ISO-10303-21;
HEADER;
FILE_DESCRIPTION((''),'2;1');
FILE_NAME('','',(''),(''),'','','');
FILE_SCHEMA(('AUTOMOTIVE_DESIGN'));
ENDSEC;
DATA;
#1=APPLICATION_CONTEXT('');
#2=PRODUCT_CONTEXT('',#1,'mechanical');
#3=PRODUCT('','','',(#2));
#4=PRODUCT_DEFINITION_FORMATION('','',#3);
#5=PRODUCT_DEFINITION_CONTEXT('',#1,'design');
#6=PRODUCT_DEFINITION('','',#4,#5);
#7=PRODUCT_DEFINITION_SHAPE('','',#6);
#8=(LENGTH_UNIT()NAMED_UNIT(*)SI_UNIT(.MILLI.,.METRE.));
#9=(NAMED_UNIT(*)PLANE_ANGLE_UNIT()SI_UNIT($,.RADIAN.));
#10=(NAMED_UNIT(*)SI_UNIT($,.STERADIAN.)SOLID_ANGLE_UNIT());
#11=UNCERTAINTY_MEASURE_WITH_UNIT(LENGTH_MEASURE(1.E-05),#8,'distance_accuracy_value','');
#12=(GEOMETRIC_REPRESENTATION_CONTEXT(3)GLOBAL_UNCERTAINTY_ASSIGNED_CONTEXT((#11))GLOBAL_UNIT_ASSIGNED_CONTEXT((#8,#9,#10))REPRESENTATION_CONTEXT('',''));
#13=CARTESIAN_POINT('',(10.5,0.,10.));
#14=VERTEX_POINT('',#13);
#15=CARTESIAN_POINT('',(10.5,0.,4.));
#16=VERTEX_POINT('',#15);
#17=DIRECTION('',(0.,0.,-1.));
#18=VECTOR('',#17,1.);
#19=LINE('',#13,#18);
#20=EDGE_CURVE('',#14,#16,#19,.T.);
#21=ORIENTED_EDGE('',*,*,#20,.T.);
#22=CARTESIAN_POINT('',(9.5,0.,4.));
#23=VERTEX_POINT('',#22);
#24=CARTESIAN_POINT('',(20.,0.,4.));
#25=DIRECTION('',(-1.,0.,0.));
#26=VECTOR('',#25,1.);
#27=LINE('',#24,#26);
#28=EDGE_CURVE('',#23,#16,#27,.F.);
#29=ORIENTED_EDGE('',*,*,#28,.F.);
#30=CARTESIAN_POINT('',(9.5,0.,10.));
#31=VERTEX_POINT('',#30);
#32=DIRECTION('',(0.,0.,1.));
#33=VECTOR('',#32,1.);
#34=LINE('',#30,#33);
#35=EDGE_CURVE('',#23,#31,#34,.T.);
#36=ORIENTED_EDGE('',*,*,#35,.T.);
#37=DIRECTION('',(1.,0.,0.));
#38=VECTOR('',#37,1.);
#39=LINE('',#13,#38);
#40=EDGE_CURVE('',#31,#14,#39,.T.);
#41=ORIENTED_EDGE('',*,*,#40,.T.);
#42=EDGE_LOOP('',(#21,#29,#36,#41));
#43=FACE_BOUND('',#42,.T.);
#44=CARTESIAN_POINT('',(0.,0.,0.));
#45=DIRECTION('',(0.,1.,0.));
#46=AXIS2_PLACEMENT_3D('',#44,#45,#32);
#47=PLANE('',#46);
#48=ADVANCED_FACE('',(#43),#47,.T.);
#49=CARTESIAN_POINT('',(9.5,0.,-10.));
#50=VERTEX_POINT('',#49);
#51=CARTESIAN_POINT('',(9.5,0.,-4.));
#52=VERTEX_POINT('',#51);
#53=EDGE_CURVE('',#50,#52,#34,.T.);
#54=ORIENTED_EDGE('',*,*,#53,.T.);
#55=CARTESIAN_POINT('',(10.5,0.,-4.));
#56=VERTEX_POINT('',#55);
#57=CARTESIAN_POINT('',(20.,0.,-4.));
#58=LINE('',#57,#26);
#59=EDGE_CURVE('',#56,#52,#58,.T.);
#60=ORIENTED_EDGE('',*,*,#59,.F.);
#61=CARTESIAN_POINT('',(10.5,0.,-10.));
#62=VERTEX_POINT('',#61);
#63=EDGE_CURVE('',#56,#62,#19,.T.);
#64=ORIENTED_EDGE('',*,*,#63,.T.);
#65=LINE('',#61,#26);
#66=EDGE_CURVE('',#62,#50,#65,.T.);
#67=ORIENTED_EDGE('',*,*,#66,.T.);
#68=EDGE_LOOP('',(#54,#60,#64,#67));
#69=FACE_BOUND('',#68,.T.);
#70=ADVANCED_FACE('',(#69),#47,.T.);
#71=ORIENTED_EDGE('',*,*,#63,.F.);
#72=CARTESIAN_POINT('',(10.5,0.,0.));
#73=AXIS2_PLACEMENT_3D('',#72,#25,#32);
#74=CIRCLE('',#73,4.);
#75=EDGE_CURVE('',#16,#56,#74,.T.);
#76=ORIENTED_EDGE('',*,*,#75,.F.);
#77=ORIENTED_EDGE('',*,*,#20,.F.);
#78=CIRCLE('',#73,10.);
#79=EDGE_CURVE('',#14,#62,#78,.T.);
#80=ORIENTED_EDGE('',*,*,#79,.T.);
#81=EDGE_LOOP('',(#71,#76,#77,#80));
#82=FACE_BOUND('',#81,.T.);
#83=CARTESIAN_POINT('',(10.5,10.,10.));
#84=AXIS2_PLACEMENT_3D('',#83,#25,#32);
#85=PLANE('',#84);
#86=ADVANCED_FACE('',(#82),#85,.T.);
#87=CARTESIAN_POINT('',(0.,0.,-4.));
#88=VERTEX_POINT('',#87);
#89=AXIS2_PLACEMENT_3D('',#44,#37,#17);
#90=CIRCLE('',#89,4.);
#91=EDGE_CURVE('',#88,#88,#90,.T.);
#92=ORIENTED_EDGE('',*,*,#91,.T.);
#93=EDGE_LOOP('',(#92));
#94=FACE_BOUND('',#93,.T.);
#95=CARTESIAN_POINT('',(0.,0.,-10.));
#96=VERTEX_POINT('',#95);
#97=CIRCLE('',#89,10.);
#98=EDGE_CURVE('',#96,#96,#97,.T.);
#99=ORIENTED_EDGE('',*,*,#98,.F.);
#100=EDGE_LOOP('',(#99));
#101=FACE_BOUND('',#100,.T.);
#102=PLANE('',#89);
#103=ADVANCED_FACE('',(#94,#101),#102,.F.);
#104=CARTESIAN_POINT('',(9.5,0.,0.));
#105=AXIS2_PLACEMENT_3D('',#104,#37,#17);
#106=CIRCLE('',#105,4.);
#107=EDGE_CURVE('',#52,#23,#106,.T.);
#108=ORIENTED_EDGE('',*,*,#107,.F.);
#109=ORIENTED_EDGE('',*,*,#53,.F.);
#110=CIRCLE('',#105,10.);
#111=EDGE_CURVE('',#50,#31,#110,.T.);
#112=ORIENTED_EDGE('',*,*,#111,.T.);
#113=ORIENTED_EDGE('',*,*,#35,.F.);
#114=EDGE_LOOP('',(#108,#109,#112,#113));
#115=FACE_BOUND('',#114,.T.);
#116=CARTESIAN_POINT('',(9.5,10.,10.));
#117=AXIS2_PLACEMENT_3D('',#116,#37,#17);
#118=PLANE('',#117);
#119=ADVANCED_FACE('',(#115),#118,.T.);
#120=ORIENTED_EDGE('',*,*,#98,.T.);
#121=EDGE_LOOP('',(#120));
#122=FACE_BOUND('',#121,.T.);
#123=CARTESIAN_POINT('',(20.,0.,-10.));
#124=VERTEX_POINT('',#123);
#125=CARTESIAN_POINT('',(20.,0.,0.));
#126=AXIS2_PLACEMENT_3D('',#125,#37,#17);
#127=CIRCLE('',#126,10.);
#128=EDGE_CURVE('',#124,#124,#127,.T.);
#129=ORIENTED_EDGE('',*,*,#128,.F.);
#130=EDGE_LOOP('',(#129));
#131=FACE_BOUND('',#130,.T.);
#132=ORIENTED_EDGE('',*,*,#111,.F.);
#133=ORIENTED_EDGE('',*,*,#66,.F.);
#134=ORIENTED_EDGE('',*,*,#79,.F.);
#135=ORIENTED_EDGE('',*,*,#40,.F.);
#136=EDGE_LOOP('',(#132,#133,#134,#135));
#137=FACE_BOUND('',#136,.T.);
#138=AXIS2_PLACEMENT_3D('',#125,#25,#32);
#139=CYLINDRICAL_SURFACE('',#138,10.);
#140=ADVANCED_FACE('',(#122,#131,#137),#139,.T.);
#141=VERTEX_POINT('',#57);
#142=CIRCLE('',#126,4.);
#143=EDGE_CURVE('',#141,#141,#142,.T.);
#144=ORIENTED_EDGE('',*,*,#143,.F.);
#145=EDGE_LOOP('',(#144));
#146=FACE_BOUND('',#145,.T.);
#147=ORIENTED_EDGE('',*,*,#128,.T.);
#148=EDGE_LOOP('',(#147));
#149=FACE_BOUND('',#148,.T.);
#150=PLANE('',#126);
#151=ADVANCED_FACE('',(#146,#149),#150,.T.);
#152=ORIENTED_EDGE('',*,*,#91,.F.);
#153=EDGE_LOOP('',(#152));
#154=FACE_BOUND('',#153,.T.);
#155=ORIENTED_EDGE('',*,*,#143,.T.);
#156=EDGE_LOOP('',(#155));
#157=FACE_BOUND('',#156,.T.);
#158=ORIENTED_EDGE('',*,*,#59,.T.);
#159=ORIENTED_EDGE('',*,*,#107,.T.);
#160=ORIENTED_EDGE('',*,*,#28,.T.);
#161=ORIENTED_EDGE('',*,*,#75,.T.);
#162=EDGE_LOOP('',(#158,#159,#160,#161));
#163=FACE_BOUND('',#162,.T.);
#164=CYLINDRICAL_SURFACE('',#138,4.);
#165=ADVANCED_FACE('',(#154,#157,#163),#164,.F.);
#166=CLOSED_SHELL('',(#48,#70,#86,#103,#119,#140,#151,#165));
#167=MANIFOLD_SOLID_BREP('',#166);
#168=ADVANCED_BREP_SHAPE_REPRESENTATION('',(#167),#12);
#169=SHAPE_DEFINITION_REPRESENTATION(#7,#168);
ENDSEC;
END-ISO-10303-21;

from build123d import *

# Parameters (mm, degrees)
SKETCH_1_R          = 10
SKETCH_1_R_2        = 4
EXTRUDE_1_DEPTH     = 20
SKETCH_2_W          = 1
SKETCH_2_H          = 20
CUT_EXTRUDE_1_DEPTH = 25.494897428


with BuildPart() as part:
    # ｽｹｯﾁ1 → ﾎﾞｽ - 押し出し1 (new body)
    with BuildSketch(Plane(origin=(0, 0, 0), x_dir=(0, 0, -1), z_dir=(1, 0, 0))):
        Circle(SKETCH_1_R)
        Circle(SKETCH_1_R_2, mode=Mode.SUBTRACT)
    extrude(amount=EXTRUDE_1_DEPTH)

    # ｽｹｯﾁ2 → ｶｯﾄ - 押し出し1 (cut, through all)
    with BuildSketch(Plane(origin=(0, 0, 0), x_dir=(1, 0, 0), z_dir=(0, 1, 0))):
        with Locations((10, 0)):
            Rectangle(SKETCH_2_W, SKETCH_2_H)
    extrude(amount=CUT_EXTRUDE_1_DEPTH, mode=Mode.SUBTRACT)


solid = part.part
